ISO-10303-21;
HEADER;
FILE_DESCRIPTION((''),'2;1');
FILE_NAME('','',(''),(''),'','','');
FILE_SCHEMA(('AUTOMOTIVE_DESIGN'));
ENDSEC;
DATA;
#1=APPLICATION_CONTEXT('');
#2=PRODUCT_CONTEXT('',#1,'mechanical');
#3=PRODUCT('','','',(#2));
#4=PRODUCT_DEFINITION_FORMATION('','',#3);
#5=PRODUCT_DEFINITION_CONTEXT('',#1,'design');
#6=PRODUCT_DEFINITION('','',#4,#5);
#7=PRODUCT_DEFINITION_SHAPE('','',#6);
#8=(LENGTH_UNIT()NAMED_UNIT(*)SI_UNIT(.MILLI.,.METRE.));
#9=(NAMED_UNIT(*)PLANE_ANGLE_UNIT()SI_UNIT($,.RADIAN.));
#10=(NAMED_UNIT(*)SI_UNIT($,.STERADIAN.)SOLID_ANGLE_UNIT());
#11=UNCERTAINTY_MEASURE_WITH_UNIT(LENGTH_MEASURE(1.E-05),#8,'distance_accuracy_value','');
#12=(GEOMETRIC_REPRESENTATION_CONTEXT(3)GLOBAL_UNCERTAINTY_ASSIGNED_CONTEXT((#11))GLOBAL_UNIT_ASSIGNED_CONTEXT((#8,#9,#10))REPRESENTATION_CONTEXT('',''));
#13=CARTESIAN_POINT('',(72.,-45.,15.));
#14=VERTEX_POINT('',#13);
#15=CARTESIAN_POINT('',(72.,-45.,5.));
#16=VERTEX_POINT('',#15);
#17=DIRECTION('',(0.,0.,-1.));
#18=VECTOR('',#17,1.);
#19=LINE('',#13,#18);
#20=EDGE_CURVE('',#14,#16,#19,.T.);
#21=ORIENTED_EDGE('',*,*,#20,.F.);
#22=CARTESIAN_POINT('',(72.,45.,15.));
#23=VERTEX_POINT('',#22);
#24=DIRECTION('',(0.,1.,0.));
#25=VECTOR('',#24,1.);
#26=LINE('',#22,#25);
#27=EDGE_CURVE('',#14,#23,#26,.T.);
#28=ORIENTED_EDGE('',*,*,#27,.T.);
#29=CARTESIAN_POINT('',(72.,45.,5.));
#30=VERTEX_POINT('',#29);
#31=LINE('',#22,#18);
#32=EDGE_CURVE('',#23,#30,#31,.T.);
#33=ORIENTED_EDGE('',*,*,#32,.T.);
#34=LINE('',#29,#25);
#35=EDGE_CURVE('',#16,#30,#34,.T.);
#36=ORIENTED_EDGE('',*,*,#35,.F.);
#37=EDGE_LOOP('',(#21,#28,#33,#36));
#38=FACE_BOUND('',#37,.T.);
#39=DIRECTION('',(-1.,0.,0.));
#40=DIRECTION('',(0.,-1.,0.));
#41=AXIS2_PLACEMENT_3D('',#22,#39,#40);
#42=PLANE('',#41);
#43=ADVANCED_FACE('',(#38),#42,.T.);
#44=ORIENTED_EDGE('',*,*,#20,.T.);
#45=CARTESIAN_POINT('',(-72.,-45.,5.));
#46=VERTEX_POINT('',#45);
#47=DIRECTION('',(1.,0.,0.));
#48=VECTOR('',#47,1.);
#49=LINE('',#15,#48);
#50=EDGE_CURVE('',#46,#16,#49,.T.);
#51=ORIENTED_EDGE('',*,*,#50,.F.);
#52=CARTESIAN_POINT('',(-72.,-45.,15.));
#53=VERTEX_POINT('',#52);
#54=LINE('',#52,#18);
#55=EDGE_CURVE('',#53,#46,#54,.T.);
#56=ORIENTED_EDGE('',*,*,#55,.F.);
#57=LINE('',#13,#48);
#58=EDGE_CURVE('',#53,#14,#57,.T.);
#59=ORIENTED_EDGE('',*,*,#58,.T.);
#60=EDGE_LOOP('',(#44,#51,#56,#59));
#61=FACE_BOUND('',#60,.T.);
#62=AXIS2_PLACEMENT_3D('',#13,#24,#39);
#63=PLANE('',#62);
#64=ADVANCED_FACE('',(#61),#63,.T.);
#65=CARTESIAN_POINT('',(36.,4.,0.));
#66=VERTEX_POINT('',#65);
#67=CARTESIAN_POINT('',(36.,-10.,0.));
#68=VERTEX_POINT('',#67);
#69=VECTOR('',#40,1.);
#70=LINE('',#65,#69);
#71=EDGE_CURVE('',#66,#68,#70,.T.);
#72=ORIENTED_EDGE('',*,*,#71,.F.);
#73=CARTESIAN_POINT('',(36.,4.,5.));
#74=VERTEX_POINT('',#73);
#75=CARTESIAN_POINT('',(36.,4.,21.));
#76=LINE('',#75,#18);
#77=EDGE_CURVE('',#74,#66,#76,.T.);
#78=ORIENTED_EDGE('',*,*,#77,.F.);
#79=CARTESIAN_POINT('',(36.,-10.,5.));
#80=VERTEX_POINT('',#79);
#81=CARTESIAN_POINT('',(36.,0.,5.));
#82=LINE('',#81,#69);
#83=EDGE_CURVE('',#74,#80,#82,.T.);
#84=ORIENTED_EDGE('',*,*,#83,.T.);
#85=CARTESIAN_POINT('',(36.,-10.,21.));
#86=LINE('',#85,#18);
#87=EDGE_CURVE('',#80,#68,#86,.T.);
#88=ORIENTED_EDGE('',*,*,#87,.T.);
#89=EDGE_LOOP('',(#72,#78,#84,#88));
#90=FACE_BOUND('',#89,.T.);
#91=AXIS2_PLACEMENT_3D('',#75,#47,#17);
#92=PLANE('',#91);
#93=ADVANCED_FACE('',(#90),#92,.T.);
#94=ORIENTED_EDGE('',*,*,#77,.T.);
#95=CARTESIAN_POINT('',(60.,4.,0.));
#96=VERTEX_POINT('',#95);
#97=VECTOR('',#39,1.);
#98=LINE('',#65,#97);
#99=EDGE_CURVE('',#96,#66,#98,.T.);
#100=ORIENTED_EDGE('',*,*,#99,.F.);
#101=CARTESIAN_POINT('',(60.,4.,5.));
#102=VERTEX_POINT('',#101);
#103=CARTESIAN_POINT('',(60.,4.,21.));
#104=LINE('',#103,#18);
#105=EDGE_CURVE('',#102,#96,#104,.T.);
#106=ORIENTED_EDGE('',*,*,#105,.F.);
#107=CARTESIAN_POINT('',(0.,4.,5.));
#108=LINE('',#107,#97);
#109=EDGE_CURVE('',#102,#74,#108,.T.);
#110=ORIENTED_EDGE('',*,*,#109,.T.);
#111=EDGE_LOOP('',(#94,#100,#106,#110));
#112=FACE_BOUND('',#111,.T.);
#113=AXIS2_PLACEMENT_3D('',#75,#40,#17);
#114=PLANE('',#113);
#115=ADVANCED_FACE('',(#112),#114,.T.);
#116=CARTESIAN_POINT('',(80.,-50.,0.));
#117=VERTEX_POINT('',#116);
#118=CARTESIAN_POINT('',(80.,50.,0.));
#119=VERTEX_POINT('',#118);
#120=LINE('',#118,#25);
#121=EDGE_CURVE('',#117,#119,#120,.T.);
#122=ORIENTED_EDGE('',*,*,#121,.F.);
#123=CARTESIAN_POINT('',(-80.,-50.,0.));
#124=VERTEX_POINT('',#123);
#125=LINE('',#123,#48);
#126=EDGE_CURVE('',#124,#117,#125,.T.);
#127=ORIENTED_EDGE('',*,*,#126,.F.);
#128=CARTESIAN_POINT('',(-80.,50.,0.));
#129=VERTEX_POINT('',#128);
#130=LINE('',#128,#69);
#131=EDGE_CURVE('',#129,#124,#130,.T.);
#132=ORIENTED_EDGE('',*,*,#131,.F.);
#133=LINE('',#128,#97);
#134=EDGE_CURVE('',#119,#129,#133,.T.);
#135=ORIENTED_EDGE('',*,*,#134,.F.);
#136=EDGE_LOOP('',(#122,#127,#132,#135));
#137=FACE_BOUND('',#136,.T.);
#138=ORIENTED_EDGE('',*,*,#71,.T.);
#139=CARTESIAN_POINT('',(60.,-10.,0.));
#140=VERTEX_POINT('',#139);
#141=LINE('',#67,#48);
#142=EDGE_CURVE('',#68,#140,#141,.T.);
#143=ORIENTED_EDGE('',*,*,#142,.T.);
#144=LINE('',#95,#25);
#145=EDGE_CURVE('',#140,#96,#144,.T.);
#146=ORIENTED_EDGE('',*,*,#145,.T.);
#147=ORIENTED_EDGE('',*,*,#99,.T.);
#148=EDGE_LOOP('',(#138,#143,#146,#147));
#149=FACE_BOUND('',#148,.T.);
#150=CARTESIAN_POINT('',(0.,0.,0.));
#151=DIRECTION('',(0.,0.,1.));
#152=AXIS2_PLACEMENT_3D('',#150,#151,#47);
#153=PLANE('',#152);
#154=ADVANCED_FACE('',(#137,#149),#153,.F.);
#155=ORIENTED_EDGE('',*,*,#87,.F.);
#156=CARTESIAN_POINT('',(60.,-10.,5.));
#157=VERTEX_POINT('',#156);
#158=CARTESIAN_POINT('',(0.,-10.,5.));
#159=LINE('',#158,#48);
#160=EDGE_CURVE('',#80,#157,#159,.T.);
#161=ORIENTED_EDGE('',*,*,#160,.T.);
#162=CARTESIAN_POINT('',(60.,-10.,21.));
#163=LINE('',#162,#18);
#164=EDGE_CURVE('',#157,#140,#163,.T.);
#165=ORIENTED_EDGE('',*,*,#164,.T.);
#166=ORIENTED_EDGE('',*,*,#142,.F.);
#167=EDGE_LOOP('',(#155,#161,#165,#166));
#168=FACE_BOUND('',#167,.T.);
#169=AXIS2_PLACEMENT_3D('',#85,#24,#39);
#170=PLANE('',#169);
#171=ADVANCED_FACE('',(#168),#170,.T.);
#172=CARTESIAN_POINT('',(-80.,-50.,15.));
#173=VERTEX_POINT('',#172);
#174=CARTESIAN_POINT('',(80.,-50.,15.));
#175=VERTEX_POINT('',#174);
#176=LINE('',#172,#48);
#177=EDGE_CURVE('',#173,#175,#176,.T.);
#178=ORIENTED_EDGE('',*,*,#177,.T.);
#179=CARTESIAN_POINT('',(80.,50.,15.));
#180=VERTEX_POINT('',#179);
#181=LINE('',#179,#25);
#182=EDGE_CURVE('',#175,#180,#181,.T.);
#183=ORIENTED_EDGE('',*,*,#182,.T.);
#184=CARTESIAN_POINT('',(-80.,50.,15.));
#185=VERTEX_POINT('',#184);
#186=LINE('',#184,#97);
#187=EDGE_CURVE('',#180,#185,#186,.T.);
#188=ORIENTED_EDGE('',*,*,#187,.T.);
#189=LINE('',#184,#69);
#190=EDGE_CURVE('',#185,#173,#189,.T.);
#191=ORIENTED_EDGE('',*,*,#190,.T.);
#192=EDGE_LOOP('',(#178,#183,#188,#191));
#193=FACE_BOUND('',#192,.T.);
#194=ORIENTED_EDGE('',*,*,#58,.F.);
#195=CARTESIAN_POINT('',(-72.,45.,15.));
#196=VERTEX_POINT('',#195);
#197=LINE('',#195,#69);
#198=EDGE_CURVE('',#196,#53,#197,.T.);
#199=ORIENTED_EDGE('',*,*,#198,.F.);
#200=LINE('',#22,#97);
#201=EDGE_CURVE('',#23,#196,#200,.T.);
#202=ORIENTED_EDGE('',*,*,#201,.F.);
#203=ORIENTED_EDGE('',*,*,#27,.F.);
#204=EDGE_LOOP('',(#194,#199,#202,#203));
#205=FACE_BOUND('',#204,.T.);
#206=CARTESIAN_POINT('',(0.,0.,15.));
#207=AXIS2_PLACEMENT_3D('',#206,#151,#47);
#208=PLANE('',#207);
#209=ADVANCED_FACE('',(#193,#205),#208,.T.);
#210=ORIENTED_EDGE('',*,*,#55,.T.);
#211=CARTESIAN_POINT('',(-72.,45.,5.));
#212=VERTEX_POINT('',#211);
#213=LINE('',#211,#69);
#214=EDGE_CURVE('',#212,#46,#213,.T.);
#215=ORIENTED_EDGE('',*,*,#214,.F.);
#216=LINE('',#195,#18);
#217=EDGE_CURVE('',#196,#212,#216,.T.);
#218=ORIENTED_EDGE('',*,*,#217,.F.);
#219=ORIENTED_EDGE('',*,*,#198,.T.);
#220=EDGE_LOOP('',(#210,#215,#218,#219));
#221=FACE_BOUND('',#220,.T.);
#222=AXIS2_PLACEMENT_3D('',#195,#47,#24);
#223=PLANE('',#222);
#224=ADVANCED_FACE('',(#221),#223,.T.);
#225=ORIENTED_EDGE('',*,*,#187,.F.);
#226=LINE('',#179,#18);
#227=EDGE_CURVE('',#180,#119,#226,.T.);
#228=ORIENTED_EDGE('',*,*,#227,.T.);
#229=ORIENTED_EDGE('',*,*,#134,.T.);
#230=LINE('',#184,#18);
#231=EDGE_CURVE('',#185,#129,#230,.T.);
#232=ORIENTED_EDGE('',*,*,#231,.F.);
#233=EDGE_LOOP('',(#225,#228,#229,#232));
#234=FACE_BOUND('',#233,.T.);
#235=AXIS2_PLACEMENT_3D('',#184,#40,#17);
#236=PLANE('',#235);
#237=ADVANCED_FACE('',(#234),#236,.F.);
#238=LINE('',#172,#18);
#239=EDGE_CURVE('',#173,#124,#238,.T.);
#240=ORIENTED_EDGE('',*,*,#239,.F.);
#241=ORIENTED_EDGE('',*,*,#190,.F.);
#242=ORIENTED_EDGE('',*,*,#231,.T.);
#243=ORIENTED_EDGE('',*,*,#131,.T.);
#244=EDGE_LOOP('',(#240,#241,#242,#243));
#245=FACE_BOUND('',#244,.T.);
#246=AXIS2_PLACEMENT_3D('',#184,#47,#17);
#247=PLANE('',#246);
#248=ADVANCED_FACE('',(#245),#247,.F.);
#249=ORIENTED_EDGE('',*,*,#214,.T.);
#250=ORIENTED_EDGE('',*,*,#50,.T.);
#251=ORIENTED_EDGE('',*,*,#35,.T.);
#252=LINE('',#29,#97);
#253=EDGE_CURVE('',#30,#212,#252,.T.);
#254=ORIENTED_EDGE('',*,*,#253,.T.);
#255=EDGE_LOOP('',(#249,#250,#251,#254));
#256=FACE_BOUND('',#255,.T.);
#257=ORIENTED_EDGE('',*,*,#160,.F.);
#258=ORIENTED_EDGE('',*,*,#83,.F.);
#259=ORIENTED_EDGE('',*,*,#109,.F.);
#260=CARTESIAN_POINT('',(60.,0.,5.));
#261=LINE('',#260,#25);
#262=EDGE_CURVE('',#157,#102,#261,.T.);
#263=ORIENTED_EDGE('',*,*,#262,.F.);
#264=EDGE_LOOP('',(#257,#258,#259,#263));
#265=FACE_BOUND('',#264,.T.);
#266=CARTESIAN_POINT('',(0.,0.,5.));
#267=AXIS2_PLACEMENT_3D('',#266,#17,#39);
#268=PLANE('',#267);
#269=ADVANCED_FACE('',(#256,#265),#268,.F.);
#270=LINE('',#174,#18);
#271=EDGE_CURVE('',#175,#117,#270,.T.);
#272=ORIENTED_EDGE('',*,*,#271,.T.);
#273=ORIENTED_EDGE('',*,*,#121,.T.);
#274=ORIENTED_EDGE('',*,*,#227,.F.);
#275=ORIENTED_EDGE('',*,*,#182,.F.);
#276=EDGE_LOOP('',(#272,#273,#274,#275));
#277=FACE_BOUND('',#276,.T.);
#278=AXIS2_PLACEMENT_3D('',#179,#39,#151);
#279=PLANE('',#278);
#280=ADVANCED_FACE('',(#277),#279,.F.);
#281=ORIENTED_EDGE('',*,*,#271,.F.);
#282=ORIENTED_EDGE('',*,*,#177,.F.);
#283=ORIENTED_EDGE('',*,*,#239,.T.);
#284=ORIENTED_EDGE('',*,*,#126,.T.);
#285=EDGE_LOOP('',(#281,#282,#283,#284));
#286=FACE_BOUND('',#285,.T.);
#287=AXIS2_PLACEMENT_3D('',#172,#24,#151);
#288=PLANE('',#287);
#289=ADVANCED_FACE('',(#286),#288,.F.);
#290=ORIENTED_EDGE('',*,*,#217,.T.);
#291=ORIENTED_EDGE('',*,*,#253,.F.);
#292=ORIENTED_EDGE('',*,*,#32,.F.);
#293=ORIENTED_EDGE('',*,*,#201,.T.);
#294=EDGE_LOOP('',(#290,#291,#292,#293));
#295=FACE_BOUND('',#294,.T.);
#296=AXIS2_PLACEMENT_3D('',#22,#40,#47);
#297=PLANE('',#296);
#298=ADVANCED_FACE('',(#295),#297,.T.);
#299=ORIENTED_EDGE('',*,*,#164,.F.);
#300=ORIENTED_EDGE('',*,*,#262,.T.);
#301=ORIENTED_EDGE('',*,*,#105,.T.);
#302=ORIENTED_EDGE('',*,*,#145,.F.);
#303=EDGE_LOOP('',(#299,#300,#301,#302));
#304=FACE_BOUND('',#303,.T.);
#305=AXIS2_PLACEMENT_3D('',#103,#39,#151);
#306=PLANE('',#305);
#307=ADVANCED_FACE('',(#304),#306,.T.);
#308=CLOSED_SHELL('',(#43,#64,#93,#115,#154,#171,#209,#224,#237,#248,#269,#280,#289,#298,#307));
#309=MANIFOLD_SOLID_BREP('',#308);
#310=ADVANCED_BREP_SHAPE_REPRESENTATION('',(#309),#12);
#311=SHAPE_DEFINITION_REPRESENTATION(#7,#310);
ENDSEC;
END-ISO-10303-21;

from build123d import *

# Parameters (mm, degrees)
ESQUISSE1_W                = 160
ESQUISSE1_H                = 100
ESQUISSE1_W_2              = 144
ESQUISSE1_H_2              = 90
PROFONDEUR_COUVERCLE_DEPTH = 15
ESQUISSE2_W                = 144
ESQUISSE2_H                = 90
PROFONDEUR_FOND_DEPTH      = 5
ESQUISSE3_W                = 24
ESQUISSE3_H                = 14
ECRAN_HELTEC_DEPTH         = 21


with BuildPart() as part:
    # Esquisse1 → profondeur couvercle (new body)
    with BuildSketch(Plane.XY):
        Rectangle(ESQUISSE1_W, ESQUISSE1_H)
        Rectangle(ESQUISSE1_W_2, ESQUISSE1_H_2, mode=Mode.SUBTRACT)
    extrude(amount=PROFONDEUR_COUVERCLE_DEPTH)

    # Esquisse2 → profondeur fond (add)
    with BuildSketch(Plane.XY):
        Rectangle(ESQUISSE2_W, ESQUISSE2_H)
    extrude(amount=PROFONDEUR_FOND_DEPTH)

    # Esquisse3 → ecran heltec (cut)
    with BuildSketch(Plane.XY):
        with Locations((48, -3)):
            Rectangle(ESQUISSE3_W, ESQUISSE3_H)
    extrude(amount=ECRAN_HELTEC_DEPTH, mode=Mode.SUBTRACT)


solid = part.part
